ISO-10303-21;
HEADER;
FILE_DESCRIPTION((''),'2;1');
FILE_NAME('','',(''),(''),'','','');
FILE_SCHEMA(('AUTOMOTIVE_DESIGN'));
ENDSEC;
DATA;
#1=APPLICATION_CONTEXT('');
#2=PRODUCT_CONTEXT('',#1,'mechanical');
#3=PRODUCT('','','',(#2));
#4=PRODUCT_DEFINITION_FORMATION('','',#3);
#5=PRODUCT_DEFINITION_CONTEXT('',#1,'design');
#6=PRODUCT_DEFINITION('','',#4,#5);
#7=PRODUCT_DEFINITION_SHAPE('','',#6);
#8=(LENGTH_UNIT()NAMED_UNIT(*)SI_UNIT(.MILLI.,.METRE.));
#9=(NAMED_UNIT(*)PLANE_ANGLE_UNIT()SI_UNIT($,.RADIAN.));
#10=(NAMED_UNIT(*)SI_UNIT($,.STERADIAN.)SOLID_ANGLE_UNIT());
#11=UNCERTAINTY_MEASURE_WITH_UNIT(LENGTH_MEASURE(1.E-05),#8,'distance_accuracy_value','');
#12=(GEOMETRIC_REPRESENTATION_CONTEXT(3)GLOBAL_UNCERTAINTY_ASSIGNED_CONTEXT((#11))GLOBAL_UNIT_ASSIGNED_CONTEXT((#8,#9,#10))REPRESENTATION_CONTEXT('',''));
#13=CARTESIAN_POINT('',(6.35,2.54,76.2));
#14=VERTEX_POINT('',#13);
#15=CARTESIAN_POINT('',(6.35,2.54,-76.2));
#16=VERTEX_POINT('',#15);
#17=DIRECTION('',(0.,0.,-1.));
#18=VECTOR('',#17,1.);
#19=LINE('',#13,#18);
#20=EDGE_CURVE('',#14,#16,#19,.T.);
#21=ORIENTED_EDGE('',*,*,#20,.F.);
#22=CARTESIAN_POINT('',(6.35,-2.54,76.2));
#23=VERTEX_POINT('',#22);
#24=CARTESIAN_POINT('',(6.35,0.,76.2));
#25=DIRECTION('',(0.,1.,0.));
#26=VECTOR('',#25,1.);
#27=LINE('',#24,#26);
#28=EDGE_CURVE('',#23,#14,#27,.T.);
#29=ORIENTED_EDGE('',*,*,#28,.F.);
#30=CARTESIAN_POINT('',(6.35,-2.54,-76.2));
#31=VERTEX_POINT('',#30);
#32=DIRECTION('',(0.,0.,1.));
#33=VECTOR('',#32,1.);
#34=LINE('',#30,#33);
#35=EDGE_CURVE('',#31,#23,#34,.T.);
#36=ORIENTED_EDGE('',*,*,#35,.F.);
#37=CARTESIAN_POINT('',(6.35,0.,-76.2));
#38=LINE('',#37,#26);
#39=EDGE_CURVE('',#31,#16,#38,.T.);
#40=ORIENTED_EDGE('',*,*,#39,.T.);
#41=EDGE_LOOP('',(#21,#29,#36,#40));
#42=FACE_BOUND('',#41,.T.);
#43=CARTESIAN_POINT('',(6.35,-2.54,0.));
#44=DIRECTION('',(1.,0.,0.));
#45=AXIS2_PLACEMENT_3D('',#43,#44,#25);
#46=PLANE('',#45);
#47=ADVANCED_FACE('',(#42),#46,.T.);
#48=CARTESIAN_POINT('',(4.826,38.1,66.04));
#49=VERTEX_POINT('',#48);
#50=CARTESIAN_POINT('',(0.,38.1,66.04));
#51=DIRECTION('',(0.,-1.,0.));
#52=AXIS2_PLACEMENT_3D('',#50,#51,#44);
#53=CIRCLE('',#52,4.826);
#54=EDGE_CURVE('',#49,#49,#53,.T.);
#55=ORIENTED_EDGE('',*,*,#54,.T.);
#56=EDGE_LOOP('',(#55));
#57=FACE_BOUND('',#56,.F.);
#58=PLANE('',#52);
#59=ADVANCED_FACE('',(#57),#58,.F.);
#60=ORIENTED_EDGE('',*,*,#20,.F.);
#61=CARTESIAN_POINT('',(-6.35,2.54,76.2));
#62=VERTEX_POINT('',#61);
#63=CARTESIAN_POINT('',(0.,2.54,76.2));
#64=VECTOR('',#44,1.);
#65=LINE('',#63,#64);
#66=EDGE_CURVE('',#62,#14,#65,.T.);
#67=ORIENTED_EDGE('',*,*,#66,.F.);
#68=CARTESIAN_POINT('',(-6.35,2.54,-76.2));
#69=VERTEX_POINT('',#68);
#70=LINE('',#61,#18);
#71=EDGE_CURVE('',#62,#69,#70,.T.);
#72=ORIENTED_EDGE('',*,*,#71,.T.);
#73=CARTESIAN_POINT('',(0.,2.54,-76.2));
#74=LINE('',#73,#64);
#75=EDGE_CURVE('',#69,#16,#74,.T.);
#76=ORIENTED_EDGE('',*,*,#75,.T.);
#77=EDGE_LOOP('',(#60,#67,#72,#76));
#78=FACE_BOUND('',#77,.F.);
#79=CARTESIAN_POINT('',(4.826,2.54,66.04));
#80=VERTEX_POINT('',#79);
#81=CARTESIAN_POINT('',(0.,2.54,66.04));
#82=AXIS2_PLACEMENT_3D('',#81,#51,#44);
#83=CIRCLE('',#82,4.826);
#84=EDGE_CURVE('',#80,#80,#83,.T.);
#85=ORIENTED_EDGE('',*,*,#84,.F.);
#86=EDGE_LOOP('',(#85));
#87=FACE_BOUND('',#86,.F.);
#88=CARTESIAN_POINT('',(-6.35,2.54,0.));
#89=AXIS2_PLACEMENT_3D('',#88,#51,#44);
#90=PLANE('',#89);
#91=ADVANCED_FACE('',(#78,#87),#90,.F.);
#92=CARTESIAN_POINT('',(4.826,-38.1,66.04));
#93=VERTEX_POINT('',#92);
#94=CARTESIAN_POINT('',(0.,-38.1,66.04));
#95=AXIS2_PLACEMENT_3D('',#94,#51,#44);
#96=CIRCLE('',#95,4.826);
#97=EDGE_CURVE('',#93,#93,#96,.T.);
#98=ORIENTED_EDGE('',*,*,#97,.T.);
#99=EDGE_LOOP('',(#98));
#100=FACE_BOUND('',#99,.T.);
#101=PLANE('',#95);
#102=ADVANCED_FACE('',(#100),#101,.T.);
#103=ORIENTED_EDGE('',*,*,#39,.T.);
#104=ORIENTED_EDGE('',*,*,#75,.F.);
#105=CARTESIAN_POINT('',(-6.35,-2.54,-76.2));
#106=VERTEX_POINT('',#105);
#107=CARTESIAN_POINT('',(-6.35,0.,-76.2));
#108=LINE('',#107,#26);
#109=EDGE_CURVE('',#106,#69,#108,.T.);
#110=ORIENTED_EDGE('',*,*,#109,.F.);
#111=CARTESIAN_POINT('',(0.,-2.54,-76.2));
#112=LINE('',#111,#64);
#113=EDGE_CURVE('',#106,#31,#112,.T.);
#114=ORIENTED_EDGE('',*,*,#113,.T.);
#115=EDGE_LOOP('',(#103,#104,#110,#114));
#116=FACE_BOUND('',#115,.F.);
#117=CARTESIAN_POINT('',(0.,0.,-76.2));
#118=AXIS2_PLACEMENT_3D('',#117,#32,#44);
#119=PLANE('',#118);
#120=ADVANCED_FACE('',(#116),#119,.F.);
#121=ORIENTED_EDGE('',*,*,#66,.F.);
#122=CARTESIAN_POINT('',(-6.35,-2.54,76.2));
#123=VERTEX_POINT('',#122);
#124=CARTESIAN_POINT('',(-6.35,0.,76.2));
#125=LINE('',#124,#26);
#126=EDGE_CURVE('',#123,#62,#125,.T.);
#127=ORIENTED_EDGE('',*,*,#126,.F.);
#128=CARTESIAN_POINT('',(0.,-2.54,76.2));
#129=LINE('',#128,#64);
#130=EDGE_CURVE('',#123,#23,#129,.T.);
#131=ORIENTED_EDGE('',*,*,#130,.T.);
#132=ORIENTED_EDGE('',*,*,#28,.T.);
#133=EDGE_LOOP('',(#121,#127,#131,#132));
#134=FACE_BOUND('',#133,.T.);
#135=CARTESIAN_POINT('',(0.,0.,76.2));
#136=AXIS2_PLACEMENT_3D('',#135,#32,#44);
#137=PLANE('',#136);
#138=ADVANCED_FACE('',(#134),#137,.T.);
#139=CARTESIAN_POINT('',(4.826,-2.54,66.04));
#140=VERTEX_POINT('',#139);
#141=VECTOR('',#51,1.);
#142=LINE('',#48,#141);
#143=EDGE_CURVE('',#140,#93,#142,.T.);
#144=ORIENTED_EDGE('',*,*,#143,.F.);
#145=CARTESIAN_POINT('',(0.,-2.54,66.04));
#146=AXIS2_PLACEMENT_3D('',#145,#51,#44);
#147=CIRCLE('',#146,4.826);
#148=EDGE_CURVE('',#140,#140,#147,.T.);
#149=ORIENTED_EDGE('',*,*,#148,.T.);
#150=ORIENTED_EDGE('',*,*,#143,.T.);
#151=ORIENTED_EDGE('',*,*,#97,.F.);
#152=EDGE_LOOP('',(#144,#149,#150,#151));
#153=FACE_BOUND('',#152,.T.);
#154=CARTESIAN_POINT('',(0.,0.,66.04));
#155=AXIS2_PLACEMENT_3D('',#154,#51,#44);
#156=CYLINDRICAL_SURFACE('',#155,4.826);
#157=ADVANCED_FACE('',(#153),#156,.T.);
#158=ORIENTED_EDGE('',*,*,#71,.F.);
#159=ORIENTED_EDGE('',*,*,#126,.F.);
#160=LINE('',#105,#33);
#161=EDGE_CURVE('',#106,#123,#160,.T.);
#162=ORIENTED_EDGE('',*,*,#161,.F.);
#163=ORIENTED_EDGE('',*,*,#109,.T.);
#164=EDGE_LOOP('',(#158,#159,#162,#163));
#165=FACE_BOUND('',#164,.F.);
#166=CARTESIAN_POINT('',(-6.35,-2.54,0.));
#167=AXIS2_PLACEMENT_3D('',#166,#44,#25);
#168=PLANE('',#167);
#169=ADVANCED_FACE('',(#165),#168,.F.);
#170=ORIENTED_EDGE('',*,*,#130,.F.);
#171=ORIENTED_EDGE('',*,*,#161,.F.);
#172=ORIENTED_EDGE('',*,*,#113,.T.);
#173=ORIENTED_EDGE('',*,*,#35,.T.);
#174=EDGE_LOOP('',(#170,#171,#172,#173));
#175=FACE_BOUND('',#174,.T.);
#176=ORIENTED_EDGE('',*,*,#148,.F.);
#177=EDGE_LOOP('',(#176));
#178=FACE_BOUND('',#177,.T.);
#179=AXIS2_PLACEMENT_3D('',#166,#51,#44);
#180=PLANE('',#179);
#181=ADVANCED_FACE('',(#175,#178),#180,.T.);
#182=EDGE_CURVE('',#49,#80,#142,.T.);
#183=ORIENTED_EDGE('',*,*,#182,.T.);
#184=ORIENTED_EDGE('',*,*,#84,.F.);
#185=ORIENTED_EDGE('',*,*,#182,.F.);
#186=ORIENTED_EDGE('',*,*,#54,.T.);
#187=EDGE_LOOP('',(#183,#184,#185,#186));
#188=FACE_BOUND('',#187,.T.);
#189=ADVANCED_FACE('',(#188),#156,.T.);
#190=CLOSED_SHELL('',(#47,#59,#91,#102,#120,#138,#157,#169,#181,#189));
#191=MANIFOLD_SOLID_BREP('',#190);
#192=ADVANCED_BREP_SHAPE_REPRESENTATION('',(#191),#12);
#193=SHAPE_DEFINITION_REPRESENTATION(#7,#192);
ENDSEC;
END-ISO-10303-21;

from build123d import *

# Parameters (mm, degrees)
F0_W     = 12.7
F0_H     = 5.08
F1_DEPTH = 76.2
F2_R     = 4.826
F3_DEPTH = 38.1


with BuildPart() as f1:
    # F0 (on Top) → F1 (new body, symmetric)
    with BuildSketch(Plane.XY):
        Rectangle(F0_W, F0_H)
    extrude(amount=F1_DEPTH, both=True)

    # F2 (on Front) → F3 (join, symmetric)
    with BuildSketch(Plane.XZ):
        with Locations((0, 66.04)):
            Circle(F2_R)
    extrude(amount=F3_DEPTH, both=True)


solid = f1.part
